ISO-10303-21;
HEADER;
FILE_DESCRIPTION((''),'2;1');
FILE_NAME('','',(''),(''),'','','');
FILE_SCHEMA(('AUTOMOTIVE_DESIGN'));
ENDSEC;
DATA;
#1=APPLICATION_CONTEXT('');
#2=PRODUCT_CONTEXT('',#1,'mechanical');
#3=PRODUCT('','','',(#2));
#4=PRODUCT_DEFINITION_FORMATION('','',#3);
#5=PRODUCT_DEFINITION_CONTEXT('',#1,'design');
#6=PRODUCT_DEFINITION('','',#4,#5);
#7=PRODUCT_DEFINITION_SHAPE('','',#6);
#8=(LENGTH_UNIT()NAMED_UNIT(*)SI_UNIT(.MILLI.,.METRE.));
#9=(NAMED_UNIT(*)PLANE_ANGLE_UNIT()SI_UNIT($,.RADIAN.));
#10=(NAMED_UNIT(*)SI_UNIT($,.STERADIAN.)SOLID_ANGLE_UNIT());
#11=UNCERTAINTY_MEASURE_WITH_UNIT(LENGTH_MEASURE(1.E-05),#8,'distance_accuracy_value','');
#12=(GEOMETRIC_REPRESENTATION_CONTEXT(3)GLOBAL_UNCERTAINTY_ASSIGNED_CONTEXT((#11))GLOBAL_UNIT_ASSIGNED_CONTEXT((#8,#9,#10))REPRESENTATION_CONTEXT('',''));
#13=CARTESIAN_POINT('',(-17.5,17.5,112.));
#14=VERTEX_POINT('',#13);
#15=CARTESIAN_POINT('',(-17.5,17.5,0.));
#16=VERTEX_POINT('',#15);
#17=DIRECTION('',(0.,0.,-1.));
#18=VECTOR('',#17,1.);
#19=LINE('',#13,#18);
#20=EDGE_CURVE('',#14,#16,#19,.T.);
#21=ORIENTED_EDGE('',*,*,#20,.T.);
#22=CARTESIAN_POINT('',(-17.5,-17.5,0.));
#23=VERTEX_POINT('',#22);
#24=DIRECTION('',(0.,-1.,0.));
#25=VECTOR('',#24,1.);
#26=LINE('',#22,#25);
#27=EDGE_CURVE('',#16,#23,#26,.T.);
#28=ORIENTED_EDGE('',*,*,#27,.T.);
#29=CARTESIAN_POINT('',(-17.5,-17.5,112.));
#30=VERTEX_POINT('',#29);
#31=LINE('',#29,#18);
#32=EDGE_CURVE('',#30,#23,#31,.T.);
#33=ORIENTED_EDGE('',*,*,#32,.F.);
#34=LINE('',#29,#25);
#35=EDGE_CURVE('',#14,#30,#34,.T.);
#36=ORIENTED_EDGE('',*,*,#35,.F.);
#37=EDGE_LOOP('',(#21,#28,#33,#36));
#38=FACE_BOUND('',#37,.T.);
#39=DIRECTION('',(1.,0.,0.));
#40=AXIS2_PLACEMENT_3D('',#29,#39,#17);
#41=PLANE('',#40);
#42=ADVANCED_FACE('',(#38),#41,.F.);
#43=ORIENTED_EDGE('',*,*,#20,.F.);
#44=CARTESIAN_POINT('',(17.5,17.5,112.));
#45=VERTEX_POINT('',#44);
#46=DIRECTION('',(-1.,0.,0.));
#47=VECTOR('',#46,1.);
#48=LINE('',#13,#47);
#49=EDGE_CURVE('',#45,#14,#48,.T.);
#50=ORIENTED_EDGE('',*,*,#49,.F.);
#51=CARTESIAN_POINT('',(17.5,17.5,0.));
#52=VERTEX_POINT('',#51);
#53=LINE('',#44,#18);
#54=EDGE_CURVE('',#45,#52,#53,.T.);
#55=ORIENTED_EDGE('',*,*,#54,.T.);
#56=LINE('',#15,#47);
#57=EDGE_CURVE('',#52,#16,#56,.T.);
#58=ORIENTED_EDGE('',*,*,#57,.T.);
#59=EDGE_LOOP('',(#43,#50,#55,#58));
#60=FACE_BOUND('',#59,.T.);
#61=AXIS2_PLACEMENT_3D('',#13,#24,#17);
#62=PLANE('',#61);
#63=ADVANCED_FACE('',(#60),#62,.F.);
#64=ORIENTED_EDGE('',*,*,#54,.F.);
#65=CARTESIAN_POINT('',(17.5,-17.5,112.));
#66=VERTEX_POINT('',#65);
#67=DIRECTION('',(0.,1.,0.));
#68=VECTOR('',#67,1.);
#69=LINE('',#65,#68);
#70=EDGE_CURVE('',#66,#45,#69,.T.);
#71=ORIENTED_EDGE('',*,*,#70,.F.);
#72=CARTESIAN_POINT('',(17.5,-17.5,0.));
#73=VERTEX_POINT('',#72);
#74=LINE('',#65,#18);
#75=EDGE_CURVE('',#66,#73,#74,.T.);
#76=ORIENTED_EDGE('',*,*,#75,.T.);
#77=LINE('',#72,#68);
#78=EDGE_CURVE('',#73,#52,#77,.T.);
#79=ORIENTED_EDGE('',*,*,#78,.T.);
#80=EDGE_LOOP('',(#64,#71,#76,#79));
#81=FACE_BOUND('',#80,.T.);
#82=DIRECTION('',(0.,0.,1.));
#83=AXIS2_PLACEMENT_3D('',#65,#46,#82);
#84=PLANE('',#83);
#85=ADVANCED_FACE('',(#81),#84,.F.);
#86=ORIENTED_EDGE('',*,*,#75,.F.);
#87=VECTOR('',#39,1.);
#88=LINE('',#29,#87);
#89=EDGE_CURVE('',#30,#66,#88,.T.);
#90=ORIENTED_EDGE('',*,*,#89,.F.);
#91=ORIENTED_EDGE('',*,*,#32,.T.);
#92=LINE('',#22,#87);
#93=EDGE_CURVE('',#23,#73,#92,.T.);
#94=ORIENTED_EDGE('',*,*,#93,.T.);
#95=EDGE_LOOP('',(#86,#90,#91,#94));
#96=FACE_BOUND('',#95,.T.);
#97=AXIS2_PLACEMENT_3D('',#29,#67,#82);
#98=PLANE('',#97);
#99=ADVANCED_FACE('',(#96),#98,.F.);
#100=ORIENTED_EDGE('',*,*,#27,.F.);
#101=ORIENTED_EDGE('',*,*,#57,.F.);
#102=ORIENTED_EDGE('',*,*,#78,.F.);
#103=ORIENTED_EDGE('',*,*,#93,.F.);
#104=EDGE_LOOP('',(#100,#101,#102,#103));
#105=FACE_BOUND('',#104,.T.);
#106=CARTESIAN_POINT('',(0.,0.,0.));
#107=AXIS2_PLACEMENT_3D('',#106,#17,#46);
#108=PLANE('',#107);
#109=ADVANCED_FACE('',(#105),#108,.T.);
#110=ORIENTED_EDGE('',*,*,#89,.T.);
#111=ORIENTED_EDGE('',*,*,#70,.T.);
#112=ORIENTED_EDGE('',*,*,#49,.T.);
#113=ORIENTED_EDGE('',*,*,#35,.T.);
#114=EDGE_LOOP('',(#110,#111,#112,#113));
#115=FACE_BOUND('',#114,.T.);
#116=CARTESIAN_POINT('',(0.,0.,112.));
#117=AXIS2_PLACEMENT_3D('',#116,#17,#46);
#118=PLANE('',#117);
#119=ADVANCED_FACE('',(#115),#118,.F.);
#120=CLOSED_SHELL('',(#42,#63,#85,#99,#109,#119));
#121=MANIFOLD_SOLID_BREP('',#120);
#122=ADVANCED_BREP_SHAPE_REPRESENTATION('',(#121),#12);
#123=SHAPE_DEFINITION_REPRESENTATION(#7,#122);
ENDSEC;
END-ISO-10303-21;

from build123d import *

# Parameters (mm, degrees)
SKETCH1_W           = 35
SKETCH1_H           = 35
BOSS_EXTRUDE1_DEPTH = 112


with BuildPart() as part:
    # Sketch1 → Boss-Extrude1 (new body)
    with BuildSketch(Plane.XY):
        Rectangle(SKETCH1_W, SKETCH1_H)
    extrude(amount=BOSS_EXTRUDE1_DEPTH)


solid = part.part
